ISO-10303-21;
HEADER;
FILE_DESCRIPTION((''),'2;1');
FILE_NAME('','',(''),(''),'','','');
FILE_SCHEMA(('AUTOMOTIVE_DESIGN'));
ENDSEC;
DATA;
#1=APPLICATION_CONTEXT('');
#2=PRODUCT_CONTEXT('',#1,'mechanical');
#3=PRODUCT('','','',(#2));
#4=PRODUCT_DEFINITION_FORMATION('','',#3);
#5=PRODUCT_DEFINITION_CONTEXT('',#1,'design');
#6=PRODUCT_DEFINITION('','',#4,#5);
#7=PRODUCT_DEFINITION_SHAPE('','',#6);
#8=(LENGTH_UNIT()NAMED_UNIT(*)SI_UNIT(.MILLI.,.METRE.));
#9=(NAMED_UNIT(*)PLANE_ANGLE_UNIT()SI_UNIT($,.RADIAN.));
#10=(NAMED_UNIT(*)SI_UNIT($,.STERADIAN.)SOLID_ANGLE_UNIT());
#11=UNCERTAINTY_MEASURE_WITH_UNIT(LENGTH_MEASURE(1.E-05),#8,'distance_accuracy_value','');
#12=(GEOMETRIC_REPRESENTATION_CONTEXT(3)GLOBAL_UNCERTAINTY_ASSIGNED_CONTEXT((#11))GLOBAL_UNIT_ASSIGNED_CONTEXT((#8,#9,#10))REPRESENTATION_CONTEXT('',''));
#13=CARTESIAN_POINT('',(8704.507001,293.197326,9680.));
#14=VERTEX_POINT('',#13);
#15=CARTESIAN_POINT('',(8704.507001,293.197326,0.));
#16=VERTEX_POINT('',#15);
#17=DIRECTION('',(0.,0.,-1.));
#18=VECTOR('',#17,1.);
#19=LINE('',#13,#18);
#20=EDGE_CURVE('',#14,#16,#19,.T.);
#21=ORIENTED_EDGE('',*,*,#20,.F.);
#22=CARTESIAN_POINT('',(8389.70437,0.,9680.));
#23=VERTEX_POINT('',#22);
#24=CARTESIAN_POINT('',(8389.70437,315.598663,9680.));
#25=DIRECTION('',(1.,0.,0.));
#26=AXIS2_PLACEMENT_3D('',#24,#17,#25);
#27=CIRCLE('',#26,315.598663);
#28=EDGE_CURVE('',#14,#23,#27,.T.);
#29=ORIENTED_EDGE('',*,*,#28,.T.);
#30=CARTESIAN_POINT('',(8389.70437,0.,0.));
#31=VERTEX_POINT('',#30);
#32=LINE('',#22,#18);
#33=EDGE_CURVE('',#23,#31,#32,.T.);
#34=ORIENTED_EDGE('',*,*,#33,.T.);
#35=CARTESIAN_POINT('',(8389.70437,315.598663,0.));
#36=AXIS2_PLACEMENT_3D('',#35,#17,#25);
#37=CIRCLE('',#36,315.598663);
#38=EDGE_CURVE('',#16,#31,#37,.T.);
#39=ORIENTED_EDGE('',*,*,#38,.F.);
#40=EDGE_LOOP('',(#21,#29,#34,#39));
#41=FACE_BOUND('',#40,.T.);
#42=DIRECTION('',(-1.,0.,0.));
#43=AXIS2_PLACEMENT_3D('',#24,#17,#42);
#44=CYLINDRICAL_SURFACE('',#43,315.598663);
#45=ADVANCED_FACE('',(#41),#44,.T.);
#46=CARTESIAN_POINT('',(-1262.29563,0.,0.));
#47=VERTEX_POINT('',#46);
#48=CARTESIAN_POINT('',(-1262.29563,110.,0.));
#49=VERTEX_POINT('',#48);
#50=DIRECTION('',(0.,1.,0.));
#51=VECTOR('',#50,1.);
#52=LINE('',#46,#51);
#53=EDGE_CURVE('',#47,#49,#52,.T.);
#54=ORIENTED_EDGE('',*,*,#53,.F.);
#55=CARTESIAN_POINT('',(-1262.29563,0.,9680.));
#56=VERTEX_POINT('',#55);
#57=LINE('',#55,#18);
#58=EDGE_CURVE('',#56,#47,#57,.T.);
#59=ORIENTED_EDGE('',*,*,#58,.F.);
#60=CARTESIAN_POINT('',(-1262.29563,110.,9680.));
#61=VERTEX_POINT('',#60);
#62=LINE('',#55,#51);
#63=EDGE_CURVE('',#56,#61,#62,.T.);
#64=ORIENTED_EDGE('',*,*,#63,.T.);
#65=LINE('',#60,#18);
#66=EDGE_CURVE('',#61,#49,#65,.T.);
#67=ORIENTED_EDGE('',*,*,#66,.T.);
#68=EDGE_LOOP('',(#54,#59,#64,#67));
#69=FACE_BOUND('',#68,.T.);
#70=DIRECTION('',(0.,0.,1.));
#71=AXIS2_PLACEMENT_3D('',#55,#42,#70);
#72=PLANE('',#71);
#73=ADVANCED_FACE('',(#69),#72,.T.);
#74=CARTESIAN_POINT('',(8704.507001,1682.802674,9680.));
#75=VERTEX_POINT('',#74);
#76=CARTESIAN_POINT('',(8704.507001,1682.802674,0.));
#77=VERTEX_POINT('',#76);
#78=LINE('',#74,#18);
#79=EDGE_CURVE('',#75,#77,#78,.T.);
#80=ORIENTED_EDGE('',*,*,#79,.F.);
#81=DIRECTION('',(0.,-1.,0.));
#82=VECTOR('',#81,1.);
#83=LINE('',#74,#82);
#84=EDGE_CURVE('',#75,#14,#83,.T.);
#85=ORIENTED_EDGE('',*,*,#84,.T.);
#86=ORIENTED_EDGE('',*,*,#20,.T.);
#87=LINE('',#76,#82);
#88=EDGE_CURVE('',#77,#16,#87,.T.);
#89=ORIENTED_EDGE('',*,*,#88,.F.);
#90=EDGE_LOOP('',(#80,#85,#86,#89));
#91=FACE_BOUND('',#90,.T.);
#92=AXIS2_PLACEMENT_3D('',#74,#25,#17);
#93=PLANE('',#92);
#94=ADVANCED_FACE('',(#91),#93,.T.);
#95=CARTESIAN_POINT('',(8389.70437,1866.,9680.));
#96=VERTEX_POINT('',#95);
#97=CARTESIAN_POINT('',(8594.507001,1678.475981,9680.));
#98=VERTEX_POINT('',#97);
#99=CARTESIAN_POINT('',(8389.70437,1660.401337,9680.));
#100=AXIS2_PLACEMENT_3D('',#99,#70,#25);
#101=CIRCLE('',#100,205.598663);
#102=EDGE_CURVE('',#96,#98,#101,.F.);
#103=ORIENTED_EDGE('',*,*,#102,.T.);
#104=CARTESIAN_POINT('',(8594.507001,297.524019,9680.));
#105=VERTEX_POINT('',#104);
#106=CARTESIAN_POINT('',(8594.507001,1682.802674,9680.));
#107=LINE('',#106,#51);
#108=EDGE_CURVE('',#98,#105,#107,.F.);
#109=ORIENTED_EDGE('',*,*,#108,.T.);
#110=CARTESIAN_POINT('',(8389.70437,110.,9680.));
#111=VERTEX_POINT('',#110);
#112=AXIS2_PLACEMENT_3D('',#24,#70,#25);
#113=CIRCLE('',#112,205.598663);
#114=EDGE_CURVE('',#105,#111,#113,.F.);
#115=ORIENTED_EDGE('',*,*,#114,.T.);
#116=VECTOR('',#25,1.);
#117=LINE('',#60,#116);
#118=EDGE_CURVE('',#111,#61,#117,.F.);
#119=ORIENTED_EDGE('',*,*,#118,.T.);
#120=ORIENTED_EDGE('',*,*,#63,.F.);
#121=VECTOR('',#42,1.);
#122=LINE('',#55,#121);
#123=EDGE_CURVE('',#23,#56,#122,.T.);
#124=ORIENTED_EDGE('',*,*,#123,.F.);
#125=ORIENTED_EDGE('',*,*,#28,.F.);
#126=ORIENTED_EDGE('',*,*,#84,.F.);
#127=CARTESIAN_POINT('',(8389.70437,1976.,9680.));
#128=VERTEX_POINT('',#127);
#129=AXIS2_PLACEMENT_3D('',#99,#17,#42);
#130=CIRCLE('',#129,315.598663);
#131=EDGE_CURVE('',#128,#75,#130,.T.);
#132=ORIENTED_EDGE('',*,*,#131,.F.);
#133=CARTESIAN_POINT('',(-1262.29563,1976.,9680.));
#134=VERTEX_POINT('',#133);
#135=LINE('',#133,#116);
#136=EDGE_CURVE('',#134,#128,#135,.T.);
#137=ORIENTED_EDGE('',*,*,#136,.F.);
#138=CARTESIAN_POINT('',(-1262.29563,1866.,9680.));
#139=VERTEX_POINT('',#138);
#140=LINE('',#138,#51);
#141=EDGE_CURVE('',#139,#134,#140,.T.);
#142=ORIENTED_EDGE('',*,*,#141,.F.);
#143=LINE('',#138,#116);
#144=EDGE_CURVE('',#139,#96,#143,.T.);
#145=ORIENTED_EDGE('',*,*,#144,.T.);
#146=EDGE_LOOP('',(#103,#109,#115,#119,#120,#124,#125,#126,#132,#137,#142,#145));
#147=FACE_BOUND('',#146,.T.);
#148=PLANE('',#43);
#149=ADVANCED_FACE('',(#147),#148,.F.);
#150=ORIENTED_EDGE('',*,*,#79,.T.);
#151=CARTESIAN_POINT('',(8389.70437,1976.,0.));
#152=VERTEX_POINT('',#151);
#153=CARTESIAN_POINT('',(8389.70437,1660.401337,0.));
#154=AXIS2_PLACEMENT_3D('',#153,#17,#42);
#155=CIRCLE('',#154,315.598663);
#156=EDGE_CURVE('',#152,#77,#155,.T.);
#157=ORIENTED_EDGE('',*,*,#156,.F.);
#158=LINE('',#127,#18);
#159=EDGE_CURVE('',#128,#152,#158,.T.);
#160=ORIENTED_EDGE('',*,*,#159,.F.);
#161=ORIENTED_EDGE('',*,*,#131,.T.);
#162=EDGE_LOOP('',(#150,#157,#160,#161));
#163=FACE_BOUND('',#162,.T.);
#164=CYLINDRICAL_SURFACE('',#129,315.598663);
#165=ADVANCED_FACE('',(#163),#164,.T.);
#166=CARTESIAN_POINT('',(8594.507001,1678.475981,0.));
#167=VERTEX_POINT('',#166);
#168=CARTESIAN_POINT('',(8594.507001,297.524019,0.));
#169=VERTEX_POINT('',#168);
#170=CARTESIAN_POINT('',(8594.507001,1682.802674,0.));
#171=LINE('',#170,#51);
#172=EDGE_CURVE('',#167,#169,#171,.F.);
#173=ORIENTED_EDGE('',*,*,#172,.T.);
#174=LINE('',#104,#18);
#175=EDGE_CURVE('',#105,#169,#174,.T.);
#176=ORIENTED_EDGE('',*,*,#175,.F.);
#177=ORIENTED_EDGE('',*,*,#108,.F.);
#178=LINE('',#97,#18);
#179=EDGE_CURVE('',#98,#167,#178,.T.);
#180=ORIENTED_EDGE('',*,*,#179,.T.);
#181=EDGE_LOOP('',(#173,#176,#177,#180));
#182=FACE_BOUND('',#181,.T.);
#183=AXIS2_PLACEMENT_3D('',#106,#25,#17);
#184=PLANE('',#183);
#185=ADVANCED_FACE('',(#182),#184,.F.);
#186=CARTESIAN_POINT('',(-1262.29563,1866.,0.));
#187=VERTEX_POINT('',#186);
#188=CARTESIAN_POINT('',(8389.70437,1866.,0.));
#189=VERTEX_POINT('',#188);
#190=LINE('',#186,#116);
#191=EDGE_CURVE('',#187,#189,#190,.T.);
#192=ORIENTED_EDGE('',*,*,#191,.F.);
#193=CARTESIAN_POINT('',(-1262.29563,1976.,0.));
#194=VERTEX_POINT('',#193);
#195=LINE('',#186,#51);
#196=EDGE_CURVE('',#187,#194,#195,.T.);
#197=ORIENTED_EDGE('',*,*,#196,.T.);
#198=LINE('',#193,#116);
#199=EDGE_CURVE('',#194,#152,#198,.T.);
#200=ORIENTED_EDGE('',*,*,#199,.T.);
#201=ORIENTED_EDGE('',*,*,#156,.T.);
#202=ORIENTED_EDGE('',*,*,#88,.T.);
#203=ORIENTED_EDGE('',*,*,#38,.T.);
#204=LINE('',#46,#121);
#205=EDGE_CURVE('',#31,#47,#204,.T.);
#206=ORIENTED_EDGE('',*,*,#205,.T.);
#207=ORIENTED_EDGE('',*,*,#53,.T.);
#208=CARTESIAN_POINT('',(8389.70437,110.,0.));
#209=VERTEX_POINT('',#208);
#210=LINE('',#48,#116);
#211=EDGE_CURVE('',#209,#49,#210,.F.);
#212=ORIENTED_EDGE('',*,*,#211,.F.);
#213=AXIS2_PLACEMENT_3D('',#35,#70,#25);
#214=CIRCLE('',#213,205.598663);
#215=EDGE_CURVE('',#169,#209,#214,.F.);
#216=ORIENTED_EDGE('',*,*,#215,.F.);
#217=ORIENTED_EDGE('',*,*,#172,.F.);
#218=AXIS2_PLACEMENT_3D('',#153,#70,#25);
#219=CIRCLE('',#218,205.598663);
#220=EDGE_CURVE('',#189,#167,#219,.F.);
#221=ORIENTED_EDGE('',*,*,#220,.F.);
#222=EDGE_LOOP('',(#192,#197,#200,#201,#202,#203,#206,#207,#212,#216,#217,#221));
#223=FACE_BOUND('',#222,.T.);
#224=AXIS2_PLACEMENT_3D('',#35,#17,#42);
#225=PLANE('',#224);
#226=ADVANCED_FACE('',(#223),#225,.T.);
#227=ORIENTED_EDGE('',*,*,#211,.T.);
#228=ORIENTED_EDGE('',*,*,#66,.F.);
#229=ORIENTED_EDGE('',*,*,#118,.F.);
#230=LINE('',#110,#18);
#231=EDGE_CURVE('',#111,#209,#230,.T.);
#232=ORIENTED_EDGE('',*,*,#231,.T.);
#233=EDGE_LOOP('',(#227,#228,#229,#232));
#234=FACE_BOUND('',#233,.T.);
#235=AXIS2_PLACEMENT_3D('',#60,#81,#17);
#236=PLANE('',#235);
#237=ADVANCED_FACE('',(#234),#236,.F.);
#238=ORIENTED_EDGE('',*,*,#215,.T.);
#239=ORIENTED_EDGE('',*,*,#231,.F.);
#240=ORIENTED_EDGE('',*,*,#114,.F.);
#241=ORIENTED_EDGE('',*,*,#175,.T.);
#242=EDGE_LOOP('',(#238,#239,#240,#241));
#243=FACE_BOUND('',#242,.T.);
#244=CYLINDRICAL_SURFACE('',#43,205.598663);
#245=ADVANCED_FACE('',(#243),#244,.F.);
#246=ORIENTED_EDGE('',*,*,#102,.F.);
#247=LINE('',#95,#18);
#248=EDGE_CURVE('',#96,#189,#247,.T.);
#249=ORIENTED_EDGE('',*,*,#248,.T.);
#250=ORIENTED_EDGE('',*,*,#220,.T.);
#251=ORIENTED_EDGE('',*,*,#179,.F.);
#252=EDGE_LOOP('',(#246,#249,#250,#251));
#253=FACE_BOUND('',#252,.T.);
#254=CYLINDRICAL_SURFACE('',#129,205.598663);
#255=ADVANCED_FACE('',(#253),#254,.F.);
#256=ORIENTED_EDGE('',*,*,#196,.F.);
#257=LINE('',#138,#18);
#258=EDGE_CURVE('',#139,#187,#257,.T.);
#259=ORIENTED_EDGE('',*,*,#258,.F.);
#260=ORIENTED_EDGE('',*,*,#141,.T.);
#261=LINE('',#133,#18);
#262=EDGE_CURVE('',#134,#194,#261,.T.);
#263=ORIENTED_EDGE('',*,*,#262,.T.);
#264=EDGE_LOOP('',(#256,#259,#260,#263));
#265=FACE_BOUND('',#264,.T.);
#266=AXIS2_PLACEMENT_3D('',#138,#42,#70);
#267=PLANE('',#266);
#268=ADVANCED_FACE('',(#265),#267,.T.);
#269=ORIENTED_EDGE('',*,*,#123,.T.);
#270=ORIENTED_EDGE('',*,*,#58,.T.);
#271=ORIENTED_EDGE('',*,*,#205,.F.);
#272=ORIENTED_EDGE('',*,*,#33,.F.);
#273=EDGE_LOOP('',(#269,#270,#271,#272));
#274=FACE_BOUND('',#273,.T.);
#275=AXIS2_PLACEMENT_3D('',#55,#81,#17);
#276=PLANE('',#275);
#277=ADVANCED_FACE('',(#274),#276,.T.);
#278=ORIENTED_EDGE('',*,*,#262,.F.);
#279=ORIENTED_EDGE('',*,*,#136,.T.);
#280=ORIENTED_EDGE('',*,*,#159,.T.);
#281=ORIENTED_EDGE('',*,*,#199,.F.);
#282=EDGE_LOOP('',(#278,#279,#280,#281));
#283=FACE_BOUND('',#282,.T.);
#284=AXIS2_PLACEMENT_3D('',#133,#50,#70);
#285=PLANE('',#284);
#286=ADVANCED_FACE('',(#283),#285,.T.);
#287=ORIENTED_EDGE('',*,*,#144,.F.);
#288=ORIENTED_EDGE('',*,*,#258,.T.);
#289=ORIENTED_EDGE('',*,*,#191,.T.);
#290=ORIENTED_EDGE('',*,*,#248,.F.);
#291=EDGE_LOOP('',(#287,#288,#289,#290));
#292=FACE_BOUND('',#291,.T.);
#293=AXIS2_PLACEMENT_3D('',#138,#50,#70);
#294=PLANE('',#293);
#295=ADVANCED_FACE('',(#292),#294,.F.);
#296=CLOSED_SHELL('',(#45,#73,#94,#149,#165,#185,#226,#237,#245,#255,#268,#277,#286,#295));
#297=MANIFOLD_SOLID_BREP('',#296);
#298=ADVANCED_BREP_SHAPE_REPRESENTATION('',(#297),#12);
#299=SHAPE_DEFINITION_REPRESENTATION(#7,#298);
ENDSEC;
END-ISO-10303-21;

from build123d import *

# Parameters (mm, degrees)
EXTRUDE_THIN3_DEPTH = 9680


with BuildPart() as part:
    # Sketch1 → Extrude-Thin3 (new body)
    with BuildSketch(Plane.XY):
        with BuildLine():
            Line((-1262.295629579, 1976), (8389.704370421, 1976))
            ThreePointArc((8389.704370421, 1976), (8604.800493219, 1891.347594916), (8704.507000955, 1682.802673989))
            Line((8704.507000955, 1682.802673989), (8704.507000955, 293.197326011))
            ThreePointArc((8704.507000955, 293.197326011), (8604.800493219, 84.652405084), (8389.704370421, 0))
            Line((8389.704370421, 0), (-1262.295629579, 0))
            Line((-1262.295629579, 0), (-1262.295629579, 110))
            Line((-1262.295629579, 110), (8389.704370421, 110))
            ThreePointArc((8389.704370421, 110), (8528.547244904, 163.962696181), (8594.507000955, 297.524019009))
            Line((8594.507000955, 297.524019009), (8594.507000955, 1678.475980991))
            ThreePointArc((8594.507000955, 1678.475980991), (8528.547244904, 1812.037303819), (8389.704370421, 1866))
            Line((8389.704370421, 1866), (-1262.295629579, 1866))
            Line((-1262.295629579, 1866), (-1262.295629579, 1976))
        make_face()
    extrude(amount=EXTRUDE_THIN3_DEPTH)


solid = part.part
